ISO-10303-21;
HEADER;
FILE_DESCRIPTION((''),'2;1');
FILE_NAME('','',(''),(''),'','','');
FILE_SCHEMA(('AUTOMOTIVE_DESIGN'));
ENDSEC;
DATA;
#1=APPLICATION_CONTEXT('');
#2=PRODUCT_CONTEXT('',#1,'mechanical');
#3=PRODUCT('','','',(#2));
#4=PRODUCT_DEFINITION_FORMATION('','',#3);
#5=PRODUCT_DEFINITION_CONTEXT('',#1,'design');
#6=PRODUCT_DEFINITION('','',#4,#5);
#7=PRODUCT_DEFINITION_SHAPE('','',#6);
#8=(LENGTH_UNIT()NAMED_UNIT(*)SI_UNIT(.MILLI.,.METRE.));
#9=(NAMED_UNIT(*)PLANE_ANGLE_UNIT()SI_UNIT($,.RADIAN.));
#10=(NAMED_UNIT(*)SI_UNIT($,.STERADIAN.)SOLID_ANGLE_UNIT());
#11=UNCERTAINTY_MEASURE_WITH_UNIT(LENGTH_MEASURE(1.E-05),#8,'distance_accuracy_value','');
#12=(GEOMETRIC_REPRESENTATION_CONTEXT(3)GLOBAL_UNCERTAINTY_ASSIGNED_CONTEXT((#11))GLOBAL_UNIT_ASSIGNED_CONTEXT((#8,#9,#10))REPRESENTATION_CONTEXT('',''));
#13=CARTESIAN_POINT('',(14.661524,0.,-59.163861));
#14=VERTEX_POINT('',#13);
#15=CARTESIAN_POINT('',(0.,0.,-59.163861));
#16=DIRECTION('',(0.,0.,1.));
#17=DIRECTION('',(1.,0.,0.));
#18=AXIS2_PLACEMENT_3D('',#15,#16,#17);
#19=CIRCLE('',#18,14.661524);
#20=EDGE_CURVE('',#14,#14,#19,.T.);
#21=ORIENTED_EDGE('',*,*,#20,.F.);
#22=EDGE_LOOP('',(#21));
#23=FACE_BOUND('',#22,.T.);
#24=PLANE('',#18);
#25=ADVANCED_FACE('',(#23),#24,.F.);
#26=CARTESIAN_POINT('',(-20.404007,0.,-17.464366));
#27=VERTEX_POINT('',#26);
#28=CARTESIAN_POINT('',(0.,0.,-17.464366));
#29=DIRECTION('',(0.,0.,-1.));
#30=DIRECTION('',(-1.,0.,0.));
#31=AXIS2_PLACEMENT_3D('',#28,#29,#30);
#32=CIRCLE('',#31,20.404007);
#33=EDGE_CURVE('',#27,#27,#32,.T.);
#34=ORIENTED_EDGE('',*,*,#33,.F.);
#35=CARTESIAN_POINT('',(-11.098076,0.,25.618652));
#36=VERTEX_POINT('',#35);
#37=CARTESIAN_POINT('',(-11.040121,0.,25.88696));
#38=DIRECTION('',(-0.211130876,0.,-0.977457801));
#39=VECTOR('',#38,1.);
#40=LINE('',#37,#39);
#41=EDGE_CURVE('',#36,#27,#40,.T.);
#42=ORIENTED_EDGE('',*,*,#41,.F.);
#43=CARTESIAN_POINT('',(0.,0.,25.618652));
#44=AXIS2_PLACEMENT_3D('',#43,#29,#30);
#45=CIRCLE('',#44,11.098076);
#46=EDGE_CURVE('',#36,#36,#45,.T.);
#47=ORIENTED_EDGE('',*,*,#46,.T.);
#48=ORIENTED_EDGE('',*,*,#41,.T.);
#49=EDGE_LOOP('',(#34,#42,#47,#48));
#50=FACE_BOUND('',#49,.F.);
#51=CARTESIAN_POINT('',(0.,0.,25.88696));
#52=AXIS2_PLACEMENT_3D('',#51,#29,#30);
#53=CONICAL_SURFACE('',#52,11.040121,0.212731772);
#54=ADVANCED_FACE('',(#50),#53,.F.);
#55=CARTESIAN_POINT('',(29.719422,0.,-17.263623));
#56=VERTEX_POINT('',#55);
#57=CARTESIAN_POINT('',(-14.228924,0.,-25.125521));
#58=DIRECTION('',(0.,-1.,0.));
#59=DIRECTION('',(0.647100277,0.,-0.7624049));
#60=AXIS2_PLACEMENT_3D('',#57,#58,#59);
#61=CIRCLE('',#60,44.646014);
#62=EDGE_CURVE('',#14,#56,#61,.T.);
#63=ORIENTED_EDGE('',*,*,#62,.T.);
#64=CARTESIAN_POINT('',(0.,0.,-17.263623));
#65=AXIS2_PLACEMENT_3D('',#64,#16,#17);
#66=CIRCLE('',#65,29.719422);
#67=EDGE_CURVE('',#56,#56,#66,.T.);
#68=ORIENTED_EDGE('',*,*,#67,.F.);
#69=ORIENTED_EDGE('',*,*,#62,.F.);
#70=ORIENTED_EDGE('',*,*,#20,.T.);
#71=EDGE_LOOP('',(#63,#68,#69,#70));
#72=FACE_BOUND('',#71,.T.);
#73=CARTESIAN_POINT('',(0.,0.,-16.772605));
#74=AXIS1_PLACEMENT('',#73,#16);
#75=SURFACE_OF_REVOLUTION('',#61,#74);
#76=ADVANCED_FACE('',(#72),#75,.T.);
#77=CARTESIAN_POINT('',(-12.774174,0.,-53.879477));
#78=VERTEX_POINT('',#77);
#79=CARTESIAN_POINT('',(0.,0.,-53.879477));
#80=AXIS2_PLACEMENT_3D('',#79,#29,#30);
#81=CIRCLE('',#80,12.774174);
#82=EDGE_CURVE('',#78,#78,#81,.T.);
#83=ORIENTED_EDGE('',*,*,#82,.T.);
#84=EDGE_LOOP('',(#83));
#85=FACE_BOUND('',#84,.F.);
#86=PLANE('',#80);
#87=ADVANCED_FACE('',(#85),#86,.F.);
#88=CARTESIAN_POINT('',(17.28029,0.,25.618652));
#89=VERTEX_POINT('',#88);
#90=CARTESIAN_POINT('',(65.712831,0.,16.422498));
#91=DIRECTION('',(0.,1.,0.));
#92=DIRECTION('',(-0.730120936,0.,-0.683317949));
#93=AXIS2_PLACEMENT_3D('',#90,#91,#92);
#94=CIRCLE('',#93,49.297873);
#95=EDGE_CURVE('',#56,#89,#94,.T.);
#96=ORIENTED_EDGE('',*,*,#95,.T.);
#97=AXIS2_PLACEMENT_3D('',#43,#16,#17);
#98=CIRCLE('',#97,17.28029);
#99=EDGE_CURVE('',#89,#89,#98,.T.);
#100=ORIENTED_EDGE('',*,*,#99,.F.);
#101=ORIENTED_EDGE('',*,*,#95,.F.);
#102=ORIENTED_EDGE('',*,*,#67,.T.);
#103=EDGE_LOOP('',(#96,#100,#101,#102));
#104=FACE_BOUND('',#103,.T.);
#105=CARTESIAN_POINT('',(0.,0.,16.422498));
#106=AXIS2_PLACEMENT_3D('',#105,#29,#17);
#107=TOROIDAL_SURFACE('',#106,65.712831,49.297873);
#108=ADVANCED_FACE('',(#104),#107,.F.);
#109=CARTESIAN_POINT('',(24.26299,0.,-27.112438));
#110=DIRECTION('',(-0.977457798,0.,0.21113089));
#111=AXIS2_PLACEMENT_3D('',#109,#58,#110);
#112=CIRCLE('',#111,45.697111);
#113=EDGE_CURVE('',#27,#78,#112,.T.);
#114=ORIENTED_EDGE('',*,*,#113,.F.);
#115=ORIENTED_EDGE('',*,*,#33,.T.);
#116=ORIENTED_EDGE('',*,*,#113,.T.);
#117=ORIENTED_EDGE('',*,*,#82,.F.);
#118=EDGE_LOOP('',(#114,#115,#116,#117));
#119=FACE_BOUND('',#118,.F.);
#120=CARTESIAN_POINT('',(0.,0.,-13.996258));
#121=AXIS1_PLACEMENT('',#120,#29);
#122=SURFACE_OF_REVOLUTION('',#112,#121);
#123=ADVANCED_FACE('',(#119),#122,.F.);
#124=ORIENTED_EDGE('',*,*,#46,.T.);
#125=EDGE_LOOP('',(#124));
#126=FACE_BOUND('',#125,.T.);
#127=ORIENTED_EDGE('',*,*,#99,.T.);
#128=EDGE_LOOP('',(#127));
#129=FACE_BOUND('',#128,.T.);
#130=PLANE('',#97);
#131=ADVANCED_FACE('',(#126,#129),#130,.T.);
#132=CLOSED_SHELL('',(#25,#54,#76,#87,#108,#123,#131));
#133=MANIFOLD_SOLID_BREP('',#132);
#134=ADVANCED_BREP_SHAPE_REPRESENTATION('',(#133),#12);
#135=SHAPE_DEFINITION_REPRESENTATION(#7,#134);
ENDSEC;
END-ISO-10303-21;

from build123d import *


with BuildPart() as f1:
    # F0 (on Front) → F1 (revolve)
    with BuildSketch(Plane.XZ):
        with BuildLine():
            Line((0, -59.163861), (14.661524, -59.163861))
            ThreePointArc((14.661524, -59.163861), (27.786311, -40.224746), (29.719422, -17.263623))
            ThreePointArc((29.719422, -17.263623), (18.366684, 2.688503), (17.28029, 25.618652))
            Line((17.28029, 25.618652), (0, 25.618652))
            Line((0, 25.618652), (0, -59.163861))
        make_face()
    revolve(axis=Axis((0, 0, -16.772605), (0, 0, 1)))

    # F2 (on Front) → F3 (revolve, cut)
    with BuildSketch(Plane.XZ):
        with BuildLine():
            Line((0, 25.88696), (-11.040121, 25.88696))
            Line((-11.040121, 25.88696), (-20.404007, -17.464366))
            ThreePointArc((-20.404007, -17.464366), (-20.462926, -36.483582), (-12.774174, -53.879477))
            Line((-12.774174, -53.879477), (0, -53.879477))
            Line((0, -53.879477), (0, 25.88696))
        make_face()
    revolve(axis=Axis((0, 0, -13.996258), (0, 0, -1)), mode=Mode.SUBTRACT)


solid = f1.part
